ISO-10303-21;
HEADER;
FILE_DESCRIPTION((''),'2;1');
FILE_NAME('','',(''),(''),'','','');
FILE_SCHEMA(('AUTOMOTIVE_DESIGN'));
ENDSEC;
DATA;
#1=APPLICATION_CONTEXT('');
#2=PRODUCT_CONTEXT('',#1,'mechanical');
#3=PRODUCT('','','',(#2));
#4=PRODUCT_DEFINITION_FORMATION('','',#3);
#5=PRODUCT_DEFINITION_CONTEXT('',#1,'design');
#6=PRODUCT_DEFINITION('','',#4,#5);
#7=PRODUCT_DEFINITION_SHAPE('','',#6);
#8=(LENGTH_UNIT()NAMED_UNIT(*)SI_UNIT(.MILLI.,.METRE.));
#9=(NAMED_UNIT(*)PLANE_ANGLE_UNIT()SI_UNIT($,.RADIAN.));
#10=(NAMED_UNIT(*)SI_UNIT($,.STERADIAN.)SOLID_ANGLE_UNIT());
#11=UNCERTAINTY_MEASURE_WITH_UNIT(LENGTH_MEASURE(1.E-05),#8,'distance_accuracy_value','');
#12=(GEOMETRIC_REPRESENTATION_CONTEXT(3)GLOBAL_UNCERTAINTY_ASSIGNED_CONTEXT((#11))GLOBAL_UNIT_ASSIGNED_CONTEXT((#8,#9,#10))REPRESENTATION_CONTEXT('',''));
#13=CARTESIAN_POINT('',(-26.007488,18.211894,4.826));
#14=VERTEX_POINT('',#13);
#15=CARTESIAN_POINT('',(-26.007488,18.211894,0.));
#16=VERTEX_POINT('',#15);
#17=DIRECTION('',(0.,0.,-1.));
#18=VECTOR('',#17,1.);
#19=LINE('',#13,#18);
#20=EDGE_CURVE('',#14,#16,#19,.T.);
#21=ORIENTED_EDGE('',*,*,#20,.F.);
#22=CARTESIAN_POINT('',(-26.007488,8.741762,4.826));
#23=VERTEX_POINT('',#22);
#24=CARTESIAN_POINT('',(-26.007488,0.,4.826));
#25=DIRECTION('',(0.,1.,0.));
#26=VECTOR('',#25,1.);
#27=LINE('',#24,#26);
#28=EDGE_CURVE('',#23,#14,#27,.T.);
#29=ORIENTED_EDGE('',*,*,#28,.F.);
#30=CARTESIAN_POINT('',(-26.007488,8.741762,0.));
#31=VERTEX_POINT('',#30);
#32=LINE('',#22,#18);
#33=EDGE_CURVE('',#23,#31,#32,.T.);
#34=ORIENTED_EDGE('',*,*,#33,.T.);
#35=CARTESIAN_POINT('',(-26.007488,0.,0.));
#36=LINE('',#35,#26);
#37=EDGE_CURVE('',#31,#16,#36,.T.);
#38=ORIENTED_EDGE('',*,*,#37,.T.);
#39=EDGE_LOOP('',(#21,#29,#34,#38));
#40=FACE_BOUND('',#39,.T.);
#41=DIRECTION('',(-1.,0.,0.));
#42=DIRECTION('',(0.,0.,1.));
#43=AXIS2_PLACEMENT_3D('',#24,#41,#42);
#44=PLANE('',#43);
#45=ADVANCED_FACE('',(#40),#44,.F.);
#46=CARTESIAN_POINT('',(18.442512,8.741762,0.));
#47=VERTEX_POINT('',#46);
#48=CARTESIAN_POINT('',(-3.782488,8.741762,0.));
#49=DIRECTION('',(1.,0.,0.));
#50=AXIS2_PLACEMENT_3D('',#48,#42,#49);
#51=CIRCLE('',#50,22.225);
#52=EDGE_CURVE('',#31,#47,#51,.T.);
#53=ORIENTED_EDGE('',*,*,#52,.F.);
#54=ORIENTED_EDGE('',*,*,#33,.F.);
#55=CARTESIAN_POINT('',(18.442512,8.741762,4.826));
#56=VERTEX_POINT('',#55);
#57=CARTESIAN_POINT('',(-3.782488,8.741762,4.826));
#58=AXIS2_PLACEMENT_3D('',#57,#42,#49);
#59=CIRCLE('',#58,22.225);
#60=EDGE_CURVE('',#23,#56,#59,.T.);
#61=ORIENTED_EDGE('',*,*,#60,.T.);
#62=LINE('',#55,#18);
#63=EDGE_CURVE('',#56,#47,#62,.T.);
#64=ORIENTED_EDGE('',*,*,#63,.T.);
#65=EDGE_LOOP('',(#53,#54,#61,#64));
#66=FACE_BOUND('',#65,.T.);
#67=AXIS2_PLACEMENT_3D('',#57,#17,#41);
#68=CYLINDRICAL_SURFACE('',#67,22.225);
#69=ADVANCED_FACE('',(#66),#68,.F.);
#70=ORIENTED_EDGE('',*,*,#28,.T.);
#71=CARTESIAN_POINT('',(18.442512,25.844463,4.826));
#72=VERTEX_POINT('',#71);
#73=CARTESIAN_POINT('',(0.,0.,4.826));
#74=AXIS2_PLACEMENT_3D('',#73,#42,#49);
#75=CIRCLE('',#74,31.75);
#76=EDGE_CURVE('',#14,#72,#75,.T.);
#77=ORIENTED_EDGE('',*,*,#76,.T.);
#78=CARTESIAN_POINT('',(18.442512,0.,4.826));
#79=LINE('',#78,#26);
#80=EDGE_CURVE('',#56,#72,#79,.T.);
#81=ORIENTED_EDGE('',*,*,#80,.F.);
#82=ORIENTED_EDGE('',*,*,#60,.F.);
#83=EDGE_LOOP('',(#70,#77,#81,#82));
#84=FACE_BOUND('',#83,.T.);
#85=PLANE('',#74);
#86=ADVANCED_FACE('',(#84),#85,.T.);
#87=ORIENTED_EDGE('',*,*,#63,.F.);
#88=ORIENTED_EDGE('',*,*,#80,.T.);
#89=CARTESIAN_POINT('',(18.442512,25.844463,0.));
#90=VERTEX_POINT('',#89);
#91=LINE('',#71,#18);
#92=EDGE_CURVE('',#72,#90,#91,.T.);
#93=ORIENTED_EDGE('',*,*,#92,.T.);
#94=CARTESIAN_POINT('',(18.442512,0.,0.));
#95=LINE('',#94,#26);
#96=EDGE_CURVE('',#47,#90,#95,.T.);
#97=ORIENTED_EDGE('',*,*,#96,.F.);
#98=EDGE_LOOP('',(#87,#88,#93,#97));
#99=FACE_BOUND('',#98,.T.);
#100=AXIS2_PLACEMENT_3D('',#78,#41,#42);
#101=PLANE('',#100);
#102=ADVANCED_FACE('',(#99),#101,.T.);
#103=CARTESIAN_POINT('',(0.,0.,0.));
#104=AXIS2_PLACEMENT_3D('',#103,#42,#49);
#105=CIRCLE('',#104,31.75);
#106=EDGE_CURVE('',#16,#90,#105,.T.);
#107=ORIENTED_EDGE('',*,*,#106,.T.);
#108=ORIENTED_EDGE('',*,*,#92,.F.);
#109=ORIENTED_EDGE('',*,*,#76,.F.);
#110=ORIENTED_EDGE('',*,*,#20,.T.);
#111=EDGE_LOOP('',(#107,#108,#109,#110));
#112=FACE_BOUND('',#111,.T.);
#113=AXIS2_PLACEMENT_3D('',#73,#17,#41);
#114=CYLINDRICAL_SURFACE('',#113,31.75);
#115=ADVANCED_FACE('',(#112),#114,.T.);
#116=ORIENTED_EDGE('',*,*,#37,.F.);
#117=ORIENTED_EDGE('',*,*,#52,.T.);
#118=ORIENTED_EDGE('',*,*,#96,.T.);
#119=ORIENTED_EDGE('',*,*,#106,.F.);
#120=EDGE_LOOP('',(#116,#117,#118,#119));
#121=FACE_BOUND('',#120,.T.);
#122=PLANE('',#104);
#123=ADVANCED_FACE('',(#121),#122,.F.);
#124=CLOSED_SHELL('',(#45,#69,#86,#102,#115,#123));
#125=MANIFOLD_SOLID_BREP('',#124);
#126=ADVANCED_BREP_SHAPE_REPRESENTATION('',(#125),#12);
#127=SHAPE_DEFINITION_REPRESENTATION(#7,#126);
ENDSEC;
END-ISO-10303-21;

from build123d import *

# Parameters (mm, degrees)
BOSS_EXTRUDE1_DEPTH = 4.826


with BuildPart() as part:
    # Sketch1 → Boss-Extrude1 (new body)
    with BuildSketch(Plane.XY):
        with BuildLine():
            ThreePointArc((18.442512073, 8.741762413), (-3.782487927, -13.483237587), (-26.007487927, 8.741762413))
            Line((-26.007487927, 8.741762413), (-26.007487927, 18.211893689))
            ThreePointArc((-26.007487927, 18.211893689), (-9.547899201, -30.280358664), (31.75, 0))
            ThreePointArc((31.75, 0), (28.227754589, 14.534661016), (18.442512073, 25.844462626))
            Line((18.442512073, 25.844462626), (18.442512073, 8.741762413))
        make_face()
    extrude(amount=BOSS_EXTRUDE1_DEPTH)


solid = part.part
